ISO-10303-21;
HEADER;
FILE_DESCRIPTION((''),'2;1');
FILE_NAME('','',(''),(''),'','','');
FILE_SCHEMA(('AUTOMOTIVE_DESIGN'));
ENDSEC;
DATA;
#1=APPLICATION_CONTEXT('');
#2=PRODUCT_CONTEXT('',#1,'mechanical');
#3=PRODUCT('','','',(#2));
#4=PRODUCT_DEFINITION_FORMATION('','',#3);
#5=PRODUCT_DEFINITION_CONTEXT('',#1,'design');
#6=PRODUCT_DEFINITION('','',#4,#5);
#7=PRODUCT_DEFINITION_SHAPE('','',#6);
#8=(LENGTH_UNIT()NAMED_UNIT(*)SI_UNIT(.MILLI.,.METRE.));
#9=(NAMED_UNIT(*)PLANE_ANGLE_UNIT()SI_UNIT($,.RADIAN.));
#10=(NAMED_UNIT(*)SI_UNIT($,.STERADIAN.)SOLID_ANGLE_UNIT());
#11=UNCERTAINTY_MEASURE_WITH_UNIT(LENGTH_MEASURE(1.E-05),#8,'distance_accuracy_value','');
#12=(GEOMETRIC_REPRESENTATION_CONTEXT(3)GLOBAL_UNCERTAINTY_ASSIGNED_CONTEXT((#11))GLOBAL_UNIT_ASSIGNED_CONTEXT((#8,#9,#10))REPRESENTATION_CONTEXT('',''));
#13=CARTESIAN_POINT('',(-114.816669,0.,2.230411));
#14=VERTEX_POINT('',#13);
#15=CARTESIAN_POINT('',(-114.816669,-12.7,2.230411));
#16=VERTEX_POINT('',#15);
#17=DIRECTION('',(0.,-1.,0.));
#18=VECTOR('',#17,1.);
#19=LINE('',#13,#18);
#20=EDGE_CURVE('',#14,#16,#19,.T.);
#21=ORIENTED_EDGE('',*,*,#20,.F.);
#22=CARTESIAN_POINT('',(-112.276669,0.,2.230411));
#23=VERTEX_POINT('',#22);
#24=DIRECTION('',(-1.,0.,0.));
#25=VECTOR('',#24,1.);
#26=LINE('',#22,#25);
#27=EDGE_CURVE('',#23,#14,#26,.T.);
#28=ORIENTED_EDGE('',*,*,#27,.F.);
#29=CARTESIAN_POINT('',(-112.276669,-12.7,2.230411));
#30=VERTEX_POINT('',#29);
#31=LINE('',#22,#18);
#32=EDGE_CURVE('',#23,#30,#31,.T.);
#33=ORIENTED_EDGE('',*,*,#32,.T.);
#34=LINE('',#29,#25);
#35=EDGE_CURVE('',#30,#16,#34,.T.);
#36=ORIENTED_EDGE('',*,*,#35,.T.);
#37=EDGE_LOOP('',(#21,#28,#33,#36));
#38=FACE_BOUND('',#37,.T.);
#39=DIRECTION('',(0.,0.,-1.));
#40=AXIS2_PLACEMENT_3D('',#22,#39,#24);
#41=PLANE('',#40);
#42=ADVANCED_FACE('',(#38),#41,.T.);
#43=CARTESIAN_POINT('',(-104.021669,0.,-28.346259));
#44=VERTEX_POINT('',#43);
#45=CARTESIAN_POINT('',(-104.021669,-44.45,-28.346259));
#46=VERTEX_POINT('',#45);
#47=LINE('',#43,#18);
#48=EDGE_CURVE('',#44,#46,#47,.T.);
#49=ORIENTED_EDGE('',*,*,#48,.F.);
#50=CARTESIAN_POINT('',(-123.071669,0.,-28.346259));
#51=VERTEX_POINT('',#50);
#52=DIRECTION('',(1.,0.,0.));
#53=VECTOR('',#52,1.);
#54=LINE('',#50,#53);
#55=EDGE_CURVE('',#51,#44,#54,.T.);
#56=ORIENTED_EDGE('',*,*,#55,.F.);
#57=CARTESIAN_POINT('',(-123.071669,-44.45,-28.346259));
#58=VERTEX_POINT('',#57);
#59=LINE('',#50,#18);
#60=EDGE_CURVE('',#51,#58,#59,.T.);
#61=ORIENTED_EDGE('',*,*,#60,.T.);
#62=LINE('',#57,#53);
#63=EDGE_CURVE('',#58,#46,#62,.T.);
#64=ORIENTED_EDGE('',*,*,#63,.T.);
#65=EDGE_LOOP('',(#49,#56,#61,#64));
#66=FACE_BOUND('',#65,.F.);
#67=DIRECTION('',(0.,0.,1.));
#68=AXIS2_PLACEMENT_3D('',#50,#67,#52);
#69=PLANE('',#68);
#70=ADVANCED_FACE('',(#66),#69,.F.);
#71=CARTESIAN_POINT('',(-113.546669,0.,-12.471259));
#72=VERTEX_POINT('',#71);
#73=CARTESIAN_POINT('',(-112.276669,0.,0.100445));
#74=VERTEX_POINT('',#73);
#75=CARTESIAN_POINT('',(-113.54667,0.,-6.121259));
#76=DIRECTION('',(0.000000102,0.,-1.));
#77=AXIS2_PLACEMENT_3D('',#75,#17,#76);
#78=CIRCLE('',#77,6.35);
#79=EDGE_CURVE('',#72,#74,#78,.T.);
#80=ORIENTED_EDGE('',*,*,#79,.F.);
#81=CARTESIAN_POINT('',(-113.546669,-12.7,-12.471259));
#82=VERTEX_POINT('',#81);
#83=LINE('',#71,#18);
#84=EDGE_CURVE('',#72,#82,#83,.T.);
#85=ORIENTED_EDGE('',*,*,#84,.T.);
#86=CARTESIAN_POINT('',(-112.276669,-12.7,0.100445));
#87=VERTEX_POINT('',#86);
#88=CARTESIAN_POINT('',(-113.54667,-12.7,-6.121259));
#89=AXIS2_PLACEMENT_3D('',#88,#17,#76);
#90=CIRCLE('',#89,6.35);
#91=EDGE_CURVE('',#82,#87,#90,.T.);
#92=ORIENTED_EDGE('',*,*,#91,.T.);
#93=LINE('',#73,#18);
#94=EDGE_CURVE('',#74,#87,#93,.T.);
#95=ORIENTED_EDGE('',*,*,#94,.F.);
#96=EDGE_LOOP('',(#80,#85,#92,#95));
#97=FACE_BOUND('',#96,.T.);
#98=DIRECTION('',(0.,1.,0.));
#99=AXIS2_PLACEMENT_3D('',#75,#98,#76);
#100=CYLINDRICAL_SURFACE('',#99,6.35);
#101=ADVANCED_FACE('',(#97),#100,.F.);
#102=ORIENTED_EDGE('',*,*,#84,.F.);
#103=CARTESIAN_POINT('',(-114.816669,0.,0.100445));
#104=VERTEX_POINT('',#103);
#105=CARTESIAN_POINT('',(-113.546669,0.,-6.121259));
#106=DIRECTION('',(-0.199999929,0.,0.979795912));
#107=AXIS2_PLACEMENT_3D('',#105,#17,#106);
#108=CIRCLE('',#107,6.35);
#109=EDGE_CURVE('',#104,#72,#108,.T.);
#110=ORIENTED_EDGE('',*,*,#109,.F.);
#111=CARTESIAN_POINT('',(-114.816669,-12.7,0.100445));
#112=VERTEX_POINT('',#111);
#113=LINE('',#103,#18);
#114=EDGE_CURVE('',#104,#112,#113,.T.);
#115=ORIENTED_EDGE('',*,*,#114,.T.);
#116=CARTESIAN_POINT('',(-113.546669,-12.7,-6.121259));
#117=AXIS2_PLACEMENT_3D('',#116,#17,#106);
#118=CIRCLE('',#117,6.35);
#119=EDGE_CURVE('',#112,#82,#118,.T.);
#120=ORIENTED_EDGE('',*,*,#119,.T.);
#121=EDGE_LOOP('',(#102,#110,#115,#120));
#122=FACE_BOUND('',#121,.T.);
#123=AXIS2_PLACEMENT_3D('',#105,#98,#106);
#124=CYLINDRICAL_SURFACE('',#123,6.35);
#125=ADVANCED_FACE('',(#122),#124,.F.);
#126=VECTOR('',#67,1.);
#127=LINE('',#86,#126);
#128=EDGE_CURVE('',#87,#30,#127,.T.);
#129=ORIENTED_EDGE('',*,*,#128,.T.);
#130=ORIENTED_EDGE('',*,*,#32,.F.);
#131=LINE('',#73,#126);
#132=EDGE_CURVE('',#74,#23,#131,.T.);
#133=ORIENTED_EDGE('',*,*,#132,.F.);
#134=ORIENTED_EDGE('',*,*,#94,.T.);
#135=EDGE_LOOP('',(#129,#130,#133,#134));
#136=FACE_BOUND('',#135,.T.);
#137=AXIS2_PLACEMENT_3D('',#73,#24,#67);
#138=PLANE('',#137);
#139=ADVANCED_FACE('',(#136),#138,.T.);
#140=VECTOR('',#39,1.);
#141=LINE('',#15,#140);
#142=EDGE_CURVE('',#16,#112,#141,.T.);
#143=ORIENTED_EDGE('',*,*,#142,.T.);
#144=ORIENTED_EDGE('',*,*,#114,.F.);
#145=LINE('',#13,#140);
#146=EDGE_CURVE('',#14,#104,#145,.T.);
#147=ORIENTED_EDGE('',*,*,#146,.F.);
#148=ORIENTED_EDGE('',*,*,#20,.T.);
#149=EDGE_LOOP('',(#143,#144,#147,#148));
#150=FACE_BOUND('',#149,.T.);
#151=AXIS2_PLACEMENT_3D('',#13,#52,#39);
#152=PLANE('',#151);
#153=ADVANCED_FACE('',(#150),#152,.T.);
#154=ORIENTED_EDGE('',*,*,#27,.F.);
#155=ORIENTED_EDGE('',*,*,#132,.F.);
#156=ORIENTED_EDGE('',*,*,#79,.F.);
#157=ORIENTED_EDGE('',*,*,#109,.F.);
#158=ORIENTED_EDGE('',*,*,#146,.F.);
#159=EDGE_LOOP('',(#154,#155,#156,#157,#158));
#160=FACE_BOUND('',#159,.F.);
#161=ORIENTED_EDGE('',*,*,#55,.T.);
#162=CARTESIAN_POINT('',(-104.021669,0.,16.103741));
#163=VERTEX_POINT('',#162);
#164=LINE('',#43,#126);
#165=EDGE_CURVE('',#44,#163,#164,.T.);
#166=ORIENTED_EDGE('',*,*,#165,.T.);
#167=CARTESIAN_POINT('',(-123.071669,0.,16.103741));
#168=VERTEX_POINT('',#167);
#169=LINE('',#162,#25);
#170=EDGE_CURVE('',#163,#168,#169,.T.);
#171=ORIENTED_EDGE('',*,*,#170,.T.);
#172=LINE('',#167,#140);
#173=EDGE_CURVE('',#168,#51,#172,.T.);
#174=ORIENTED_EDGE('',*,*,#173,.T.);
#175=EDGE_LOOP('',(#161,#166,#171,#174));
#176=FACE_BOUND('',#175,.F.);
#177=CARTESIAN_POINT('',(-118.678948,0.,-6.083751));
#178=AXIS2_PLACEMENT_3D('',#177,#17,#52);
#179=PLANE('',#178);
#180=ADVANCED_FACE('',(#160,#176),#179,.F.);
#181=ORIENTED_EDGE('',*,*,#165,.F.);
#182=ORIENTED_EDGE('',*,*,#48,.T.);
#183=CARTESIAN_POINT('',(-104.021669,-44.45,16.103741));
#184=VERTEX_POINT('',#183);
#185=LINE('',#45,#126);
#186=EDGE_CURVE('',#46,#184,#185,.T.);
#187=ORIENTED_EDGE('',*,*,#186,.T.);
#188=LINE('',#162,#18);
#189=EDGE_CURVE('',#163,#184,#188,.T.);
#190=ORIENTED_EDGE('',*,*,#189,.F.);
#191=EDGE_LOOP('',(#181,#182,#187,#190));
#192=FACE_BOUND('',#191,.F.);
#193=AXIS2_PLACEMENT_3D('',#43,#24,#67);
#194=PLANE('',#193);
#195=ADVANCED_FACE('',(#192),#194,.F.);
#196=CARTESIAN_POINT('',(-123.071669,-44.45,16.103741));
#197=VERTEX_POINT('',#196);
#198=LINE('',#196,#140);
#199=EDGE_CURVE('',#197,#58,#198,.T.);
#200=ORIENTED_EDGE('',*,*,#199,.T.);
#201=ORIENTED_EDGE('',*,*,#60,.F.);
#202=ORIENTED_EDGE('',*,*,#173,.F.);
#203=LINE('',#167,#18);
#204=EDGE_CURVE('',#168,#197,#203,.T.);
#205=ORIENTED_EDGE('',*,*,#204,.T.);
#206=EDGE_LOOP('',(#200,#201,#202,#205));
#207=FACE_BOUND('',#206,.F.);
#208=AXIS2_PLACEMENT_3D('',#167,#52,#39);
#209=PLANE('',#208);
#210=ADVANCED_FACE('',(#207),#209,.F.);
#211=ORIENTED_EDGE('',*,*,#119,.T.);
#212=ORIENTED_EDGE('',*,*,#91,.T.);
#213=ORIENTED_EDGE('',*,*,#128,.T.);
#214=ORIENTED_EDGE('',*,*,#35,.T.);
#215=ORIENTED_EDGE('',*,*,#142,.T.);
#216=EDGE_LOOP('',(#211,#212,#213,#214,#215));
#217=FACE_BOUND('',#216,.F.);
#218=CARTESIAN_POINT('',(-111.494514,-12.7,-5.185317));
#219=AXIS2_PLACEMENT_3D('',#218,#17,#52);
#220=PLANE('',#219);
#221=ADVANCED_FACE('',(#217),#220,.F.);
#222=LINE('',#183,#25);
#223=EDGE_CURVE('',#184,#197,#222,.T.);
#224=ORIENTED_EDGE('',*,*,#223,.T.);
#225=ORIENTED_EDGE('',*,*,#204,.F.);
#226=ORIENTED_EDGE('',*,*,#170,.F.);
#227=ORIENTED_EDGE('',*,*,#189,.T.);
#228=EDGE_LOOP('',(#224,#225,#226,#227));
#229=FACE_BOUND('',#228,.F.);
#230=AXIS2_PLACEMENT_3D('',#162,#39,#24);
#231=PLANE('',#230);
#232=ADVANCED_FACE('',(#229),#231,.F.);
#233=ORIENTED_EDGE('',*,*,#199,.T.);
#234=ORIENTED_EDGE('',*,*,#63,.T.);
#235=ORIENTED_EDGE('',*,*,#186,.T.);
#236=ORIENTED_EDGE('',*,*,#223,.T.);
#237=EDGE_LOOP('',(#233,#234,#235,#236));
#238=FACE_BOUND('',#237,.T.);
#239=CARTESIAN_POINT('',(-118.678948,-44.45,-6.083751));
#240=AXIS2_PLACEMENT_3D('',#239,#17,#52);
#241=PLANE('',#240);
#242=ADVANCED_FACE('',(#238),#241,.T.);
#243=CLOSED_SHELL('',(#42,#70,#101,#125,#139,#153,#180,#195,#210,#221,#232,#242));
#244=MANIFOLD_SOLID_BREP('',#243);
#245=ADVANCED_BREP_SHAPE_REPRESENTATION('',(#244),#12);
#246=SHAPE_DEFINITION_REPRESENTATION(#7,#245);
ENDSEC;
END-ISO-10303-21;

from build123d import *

# Parameters (mm, degrees)
F1_DEPTH = 44.45
F2_DEPTH = 12.7


with BuildPart() as f1:
    # F0 (on Front) → F1 (new body)
    with BuildSketch(Plane.XZ):
        with BuildLine():
            ThreePointArc((-113.546669, -12.471259), (-119.864514, -6.759491), (-114.816669, 0.100445))
            Line((-114.816669, 0.100445), (-114.816669, 2.230411))
            Line((-114.816669, 2.230411), (-113.546669, 2.230411))
            Line((-113.546669, 2.230411), (-113.546669, 16.103741))
            Line((-113.546669, 16.103741), (-123.071669, 16.103741))
            Line((-123.071669, 16.103741), (-123.071669, -28.346259))
            Line((-123.071669, -28.346259), (-113.546669, -28.346259))
            Line((-113.546669, -28.346259), (-113.546669, -12.471259))
        make_face()
        with BuildLine():
            ThreePointArc((-112.276669, 0.100445), (-107.228825, -6.759491), (-113.546669, -12.471259))
            Line((-113.546669, -12.471259), (-113.546669, -28.346259))
            Line((-113.546669, -28.346259), (-104.021669, -28.346259))
            Line((-104.021669, -28.346259), (-104.021669, 16.103741))
            Line((-104.021669, 16.103741), (-113.546669, 16.103741))
            Line((-113.546669, 16.103741), (-113.546669, 2.230411))
            Line((-113.546669, 2.230411), (-112.276669, 2.230411))
            Line((-112.276669, 2.230411), (-112.276669, 0.100445))
        make_face()
        with BuildLine():
            Line((-113.546669, -6.121259), (-113.546669, -12.471259))
            ThreePointArc((-113.546669, -12.471259), (-107.228825, -6.759491), (-112.276669, 0.100445))
            Line((-112.276669, 0.100445), (-112.276669, 2.230411))
            Line((-112.276669, 2.230411), (-113.546669, 2.230411))
            Line((-113.546669, 2.230411), (-113.546669, -6.121259))
        make_face()
        with BuildLine():
            Line((-114.816669, 2.230411), (-114.816669, 0.100445))
            ThreePointArc((-114.816669, 0.100445), (-119.864514, -6.759491), (-113.546669, -12.471259))
            Line((-113.546669, -12.471259), (-113.546669, -6.121259))
            Line((-113.546669, -6.121259), (-113.546669, 2.230411))
            Line((-113.546669, 2.230411), (-114.816669, 2.230411))
        make_face()
    extrude(amount=F1_DEPTH)

    # F0 (on Front) → F2 (cut)
    with BuildSketch(Plane.XZ):
        with BuildLine():
            Line((-113.546669, -6.121259), (-113.546669, -12.471259))
            ThreePointArc((-113.546669, -12.471259), (-107.228825, -6.759491), (-112.276669, 0.100445))
            Line((-112.276669, 0.100445), (-112.276669, 2.230411))
            Line((-112.276669, 2.230411), (-113.546669, 2.230411))
            Line((-113.546669, 2.230411), (-113.546669, -6.121259))
        make_face()
        with BuildLine():
            Line((-114.816669, 2.230411), (-114.816669, 0.100445))
            ThreePointArc((-114.816669, 0.100445), (-119.864514, -6.759491), (-113.546669, -12.471259))
            Line((-113.546669, -12.471259), (-113.546669, -6.121259))
            Line((-113.546669, -6.121259), (-113.546669, 2.230411))
            Line((-113.546669, 2.230411), (-114.816669, 2.230411))
        make_face()
    extrude(amount=F2_DEPTH, mode=Mode.SUBTRACT)


solid = f1.part
